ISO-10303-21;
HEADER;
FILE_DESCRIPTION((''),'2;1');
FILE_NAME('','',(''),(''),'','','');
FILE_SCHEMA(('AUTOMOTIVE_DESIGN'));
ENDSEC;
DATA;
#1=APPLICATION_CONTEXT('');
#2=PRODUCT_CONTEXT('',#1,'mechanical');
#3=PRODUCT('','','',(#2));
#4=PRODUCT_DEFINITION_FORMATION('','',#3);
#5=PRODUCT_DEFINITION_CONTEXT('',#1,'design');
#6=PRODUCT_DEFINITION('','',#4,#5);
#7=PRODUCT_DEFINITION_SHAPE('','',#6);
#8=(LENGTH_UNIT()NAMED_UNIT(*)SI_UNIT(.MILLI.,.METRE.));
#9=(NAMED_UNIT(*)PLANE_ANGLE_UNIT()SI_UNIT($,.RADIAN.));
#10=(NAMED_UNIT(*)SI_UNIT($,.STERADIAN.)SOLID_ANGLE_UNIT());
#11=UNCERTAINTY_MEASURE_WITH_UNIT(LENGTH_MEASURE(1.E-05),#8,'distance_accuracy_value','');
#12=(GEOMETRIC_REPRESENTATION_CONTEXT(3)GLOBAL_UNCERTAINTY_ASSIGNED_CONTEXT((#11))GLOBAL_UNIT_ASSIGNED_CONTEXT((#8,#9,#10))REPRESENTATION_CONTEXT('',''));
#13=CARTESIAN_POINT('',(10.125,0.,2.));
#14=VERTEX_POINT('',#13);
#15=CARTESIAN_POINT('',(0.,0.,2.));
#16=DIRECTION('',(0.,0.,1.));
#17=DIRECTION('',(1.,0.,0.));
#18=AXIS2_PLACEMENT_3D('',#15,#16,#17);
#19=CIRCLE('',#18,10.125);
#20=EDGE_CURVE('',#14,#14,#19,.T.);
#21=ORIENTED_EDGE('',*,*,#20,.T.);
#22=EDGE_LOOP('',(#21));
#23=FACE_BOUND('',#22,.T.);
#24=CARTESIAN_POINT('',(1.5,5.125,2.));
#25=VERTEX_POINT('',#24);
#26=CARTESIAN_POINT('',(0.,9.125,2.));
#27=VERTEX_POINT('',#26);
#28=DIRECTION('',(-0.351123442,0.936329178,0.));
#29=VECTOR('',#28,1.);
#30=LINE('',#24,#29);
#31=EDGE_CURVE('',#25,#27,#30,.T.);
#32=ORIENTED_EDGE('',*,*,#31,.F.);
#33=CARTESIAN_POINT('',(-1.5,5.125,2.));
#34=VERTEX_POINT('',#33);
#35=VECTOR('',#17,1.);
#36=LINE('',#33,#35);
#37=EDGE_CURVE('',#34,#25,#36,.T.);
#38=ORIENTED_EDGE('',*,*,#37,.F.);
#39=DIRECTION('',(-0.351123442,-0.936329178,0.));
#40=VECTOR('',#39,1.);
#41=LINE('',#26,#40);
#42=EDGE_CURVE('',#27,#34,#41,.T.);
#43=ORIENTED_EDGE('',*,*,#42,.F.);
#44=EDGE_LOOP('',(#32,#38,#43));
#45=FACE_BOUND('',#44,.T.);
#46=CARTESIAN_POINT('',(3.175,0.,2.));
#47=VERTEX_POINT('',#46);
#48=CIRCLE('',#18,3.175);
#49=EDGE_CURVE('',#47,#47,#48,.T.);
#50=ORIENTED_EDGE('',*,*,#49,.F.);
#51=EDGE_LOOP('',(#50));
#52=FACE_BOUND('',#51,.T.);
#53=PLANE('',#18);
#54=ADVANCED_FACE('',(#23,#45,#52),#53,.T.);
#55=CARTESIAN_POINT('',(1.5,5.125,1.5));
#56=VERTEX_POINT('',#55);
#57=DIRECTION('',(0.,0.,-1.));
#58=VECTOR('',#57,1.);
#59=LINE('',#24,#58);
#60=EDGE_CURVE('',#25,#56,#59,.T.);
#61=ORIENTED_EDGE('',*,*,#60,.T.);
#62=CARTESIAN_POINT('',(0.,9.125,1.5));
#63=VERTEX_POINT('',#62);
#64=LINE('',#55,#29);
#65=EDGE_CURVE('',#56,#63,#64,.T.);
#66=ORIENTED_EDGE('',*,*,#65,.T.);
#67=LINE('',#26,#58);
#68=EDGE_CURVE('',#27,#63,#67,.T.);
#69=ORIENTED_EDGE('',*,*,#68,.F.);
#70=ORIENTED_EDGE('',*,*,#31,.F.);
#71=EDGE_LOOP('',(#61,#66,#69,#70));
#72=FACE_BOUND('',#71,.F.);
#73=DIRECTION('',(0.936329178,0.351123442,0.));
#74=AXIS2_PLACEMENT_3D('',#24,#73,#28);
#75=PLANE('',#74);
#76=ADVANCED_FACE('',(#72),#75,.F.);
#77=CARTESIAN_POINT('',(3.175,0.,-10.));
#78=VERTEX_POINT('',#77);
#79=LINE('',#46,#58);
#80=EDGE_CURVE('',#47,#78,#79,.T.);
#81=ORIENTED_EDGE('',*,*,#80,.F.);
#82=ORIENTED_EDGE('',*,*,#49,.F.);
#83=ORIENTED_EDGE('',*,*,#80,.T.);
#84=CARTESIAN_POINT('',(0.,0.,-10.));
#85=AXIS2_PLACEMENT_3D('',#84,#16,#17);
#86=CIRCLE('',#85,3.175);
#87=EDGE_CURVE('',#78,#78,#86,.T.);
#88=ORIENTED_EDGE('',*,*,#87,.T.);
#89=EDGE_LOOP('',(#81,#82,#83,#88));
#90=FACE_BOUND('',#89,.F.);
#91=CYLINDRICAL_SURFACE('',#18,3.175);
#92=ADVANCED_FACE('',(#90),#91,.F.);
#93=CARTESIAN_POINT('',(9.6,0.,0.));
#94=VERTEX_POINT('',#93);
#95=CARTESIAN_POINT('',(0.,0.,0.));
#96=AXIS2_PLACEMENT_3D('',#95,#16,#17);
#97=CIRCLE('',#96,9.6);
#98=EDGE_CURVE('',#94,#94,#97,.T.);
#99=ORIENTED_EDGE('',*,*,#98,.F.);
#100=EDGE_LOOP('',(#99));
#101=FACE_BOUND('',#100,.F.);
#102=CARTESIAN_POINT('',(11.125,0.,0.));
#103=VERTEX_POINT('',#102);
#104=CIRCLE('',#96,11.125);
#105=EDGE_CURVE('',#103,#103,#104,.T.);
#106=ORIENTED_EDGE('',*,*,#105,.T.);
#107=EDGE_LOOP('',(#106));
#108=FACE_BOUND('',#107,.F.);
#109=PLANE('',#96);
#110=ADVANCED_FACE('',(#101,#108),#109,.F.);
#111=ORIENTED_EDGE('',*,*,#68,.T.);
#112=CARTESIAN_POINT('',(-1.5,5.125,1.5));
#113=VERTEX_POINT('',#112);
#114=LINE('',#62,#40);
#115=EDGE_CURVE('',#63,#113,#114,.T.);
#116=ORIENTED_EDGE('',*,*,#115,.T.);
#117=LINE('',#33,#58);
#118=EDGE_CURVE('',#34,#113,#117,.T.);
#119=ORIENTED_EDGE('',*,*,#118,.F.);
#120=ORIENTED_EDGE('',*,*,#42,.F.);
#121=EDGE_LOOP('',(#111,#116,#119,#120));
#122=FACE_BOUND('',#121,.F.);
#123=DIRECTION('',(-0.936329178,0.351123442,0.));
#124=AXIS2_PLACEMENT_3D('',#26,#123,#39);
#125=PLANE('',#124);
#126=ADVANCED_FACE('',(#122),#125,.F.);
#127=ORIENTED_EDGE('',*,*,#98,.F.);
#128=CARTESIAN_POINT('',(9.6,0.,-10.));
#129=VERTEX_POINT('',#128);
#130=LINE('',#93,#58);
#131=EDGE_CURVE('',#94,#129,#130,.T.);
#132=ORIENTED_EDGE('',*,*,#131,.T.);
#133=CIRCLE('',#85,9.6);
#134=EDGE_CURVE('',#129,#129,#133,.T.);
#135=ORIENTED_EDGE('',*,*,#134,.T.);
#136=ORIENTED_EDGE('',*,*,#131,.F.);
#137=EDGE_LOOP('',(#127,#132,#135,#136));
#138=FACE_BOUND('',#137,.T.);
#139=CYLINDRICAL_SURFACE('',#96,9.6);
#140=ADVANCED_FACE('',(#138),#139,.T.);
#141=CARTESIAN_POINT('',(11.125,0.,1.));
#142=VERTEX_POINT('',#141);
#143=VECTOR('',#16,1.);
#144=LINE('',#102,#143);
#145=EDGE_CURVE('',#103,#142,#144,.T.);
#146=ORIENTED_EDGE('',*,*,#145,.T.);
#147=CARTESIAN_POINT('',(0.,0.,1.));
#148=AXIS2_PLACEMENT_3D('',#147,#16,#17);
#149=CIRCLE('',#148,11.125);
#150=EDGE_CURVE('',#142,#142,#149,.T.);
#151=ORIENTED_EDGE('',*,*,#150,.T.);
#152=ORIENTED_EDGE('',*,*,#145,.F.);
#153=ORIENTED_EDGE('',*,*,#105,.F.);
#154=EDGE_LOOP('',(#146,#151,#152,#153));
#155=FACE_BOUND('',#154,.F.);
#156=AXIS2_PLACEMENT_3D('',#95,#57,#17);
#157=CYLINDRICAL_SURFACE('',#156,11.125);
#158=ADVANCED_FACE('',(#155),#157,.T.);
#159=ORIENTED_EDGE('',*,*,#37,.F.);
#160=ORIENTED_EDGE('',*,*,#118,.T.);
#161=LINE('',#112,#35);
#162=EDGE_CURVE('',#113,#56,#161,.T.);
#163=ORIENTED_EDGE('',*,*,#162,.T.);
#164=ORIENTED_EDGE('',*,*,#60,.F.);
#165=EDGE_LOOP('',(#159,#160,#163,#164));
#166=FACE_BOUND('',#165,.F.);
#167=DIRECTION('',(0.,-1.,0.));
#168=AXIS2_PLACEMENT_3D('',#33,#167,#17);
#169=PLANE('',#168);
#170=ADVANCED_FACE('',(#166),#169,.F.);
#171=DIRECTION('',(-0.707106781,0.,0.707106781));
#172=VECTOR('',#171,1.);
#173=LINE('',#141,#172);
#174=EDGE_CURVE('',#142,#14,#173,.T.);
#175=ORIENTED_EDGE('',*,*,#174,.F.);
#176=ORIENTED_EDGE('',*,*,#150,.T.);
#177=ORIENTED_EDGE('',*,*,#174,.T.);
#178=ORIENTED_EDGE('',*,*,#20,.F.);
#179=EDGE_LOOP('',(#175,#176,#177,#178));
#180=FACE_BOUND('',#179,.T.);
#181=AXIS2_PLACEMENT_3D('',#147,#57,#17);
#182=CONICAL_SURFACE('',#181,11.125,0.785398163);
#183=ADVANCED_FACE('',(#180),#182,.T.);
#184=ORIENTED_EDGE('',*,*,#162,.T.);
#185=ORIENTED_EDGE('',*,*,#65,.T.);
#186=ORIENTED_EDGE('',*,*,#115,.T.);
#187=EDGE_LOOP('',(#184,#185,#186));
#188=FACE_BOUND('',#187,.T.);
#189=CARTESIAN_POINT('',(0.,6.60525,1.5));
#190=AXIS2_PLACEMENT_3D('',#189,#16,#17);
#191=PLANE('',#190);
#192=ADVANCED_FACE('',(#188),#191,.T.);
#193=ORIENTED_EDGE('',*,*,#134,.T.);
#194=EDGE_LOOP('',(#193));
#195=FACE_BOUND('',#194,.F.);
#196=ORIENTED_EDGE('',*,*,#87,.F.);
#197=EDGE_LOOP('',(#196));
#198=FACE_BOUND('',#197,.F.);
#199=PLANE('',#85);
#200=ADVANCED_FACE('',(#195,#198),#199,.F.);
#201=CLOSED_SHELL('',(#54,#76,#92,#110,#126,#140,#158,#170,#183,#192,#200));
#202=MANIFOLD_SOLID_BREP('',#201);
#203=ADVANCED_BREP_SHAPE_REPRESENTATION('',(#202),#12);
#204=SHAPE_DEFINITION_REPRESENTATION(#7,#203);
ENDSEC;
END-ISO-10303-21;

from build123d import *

# Parameters (mm, degrees)
F0_R     = 9.6
F1_DEPTH = 10
F3_R     = 11.125
F4_DEPTH = 2
F5_SIZE  = 1
F6_R     = 3.175
F7_DEPTH = 12.001
F9_DEPTH = 0.5


with BuildPart() as f1:
    # F0 (on Top) → F1 (new body)
    with BuildSketch(Plane.XY):
        Circle(F0_R)
    extrude(amount=-F1_DEPTH)

    # F3 (on face) → F4 (join)
    with BuildSketch(Plane.XY):
        Circle(F3_R)
    extrude(amount=F4_DEPTH)

    # F5
    f5_edges = [f1.edges().sort_by_distance(p)[0] for p in [
        (-11.125, 0, 2),
    ]]
    chamfer(f5_edges, length=F5_SIZE)

    # F6 (on face) → F7 (cut, through all)
    with BuildSketch(Plane.XY.offset(2)):
        Circle(F6_R)
    extrude(amount=-F7_DEPTH, mode=Mode.SUBTRACT)

    # F8 (on face) → F9 (cut)
    with BuildSketch(Plane.XY.offset(2)):
        Polygon((1.5, 5.125), (0, 9.125), (-1.5, 5.125), align=None)
    extrude(amount=-F9_DEPTH, mode=Mode.SUBTRACT)


solid = f1.part
